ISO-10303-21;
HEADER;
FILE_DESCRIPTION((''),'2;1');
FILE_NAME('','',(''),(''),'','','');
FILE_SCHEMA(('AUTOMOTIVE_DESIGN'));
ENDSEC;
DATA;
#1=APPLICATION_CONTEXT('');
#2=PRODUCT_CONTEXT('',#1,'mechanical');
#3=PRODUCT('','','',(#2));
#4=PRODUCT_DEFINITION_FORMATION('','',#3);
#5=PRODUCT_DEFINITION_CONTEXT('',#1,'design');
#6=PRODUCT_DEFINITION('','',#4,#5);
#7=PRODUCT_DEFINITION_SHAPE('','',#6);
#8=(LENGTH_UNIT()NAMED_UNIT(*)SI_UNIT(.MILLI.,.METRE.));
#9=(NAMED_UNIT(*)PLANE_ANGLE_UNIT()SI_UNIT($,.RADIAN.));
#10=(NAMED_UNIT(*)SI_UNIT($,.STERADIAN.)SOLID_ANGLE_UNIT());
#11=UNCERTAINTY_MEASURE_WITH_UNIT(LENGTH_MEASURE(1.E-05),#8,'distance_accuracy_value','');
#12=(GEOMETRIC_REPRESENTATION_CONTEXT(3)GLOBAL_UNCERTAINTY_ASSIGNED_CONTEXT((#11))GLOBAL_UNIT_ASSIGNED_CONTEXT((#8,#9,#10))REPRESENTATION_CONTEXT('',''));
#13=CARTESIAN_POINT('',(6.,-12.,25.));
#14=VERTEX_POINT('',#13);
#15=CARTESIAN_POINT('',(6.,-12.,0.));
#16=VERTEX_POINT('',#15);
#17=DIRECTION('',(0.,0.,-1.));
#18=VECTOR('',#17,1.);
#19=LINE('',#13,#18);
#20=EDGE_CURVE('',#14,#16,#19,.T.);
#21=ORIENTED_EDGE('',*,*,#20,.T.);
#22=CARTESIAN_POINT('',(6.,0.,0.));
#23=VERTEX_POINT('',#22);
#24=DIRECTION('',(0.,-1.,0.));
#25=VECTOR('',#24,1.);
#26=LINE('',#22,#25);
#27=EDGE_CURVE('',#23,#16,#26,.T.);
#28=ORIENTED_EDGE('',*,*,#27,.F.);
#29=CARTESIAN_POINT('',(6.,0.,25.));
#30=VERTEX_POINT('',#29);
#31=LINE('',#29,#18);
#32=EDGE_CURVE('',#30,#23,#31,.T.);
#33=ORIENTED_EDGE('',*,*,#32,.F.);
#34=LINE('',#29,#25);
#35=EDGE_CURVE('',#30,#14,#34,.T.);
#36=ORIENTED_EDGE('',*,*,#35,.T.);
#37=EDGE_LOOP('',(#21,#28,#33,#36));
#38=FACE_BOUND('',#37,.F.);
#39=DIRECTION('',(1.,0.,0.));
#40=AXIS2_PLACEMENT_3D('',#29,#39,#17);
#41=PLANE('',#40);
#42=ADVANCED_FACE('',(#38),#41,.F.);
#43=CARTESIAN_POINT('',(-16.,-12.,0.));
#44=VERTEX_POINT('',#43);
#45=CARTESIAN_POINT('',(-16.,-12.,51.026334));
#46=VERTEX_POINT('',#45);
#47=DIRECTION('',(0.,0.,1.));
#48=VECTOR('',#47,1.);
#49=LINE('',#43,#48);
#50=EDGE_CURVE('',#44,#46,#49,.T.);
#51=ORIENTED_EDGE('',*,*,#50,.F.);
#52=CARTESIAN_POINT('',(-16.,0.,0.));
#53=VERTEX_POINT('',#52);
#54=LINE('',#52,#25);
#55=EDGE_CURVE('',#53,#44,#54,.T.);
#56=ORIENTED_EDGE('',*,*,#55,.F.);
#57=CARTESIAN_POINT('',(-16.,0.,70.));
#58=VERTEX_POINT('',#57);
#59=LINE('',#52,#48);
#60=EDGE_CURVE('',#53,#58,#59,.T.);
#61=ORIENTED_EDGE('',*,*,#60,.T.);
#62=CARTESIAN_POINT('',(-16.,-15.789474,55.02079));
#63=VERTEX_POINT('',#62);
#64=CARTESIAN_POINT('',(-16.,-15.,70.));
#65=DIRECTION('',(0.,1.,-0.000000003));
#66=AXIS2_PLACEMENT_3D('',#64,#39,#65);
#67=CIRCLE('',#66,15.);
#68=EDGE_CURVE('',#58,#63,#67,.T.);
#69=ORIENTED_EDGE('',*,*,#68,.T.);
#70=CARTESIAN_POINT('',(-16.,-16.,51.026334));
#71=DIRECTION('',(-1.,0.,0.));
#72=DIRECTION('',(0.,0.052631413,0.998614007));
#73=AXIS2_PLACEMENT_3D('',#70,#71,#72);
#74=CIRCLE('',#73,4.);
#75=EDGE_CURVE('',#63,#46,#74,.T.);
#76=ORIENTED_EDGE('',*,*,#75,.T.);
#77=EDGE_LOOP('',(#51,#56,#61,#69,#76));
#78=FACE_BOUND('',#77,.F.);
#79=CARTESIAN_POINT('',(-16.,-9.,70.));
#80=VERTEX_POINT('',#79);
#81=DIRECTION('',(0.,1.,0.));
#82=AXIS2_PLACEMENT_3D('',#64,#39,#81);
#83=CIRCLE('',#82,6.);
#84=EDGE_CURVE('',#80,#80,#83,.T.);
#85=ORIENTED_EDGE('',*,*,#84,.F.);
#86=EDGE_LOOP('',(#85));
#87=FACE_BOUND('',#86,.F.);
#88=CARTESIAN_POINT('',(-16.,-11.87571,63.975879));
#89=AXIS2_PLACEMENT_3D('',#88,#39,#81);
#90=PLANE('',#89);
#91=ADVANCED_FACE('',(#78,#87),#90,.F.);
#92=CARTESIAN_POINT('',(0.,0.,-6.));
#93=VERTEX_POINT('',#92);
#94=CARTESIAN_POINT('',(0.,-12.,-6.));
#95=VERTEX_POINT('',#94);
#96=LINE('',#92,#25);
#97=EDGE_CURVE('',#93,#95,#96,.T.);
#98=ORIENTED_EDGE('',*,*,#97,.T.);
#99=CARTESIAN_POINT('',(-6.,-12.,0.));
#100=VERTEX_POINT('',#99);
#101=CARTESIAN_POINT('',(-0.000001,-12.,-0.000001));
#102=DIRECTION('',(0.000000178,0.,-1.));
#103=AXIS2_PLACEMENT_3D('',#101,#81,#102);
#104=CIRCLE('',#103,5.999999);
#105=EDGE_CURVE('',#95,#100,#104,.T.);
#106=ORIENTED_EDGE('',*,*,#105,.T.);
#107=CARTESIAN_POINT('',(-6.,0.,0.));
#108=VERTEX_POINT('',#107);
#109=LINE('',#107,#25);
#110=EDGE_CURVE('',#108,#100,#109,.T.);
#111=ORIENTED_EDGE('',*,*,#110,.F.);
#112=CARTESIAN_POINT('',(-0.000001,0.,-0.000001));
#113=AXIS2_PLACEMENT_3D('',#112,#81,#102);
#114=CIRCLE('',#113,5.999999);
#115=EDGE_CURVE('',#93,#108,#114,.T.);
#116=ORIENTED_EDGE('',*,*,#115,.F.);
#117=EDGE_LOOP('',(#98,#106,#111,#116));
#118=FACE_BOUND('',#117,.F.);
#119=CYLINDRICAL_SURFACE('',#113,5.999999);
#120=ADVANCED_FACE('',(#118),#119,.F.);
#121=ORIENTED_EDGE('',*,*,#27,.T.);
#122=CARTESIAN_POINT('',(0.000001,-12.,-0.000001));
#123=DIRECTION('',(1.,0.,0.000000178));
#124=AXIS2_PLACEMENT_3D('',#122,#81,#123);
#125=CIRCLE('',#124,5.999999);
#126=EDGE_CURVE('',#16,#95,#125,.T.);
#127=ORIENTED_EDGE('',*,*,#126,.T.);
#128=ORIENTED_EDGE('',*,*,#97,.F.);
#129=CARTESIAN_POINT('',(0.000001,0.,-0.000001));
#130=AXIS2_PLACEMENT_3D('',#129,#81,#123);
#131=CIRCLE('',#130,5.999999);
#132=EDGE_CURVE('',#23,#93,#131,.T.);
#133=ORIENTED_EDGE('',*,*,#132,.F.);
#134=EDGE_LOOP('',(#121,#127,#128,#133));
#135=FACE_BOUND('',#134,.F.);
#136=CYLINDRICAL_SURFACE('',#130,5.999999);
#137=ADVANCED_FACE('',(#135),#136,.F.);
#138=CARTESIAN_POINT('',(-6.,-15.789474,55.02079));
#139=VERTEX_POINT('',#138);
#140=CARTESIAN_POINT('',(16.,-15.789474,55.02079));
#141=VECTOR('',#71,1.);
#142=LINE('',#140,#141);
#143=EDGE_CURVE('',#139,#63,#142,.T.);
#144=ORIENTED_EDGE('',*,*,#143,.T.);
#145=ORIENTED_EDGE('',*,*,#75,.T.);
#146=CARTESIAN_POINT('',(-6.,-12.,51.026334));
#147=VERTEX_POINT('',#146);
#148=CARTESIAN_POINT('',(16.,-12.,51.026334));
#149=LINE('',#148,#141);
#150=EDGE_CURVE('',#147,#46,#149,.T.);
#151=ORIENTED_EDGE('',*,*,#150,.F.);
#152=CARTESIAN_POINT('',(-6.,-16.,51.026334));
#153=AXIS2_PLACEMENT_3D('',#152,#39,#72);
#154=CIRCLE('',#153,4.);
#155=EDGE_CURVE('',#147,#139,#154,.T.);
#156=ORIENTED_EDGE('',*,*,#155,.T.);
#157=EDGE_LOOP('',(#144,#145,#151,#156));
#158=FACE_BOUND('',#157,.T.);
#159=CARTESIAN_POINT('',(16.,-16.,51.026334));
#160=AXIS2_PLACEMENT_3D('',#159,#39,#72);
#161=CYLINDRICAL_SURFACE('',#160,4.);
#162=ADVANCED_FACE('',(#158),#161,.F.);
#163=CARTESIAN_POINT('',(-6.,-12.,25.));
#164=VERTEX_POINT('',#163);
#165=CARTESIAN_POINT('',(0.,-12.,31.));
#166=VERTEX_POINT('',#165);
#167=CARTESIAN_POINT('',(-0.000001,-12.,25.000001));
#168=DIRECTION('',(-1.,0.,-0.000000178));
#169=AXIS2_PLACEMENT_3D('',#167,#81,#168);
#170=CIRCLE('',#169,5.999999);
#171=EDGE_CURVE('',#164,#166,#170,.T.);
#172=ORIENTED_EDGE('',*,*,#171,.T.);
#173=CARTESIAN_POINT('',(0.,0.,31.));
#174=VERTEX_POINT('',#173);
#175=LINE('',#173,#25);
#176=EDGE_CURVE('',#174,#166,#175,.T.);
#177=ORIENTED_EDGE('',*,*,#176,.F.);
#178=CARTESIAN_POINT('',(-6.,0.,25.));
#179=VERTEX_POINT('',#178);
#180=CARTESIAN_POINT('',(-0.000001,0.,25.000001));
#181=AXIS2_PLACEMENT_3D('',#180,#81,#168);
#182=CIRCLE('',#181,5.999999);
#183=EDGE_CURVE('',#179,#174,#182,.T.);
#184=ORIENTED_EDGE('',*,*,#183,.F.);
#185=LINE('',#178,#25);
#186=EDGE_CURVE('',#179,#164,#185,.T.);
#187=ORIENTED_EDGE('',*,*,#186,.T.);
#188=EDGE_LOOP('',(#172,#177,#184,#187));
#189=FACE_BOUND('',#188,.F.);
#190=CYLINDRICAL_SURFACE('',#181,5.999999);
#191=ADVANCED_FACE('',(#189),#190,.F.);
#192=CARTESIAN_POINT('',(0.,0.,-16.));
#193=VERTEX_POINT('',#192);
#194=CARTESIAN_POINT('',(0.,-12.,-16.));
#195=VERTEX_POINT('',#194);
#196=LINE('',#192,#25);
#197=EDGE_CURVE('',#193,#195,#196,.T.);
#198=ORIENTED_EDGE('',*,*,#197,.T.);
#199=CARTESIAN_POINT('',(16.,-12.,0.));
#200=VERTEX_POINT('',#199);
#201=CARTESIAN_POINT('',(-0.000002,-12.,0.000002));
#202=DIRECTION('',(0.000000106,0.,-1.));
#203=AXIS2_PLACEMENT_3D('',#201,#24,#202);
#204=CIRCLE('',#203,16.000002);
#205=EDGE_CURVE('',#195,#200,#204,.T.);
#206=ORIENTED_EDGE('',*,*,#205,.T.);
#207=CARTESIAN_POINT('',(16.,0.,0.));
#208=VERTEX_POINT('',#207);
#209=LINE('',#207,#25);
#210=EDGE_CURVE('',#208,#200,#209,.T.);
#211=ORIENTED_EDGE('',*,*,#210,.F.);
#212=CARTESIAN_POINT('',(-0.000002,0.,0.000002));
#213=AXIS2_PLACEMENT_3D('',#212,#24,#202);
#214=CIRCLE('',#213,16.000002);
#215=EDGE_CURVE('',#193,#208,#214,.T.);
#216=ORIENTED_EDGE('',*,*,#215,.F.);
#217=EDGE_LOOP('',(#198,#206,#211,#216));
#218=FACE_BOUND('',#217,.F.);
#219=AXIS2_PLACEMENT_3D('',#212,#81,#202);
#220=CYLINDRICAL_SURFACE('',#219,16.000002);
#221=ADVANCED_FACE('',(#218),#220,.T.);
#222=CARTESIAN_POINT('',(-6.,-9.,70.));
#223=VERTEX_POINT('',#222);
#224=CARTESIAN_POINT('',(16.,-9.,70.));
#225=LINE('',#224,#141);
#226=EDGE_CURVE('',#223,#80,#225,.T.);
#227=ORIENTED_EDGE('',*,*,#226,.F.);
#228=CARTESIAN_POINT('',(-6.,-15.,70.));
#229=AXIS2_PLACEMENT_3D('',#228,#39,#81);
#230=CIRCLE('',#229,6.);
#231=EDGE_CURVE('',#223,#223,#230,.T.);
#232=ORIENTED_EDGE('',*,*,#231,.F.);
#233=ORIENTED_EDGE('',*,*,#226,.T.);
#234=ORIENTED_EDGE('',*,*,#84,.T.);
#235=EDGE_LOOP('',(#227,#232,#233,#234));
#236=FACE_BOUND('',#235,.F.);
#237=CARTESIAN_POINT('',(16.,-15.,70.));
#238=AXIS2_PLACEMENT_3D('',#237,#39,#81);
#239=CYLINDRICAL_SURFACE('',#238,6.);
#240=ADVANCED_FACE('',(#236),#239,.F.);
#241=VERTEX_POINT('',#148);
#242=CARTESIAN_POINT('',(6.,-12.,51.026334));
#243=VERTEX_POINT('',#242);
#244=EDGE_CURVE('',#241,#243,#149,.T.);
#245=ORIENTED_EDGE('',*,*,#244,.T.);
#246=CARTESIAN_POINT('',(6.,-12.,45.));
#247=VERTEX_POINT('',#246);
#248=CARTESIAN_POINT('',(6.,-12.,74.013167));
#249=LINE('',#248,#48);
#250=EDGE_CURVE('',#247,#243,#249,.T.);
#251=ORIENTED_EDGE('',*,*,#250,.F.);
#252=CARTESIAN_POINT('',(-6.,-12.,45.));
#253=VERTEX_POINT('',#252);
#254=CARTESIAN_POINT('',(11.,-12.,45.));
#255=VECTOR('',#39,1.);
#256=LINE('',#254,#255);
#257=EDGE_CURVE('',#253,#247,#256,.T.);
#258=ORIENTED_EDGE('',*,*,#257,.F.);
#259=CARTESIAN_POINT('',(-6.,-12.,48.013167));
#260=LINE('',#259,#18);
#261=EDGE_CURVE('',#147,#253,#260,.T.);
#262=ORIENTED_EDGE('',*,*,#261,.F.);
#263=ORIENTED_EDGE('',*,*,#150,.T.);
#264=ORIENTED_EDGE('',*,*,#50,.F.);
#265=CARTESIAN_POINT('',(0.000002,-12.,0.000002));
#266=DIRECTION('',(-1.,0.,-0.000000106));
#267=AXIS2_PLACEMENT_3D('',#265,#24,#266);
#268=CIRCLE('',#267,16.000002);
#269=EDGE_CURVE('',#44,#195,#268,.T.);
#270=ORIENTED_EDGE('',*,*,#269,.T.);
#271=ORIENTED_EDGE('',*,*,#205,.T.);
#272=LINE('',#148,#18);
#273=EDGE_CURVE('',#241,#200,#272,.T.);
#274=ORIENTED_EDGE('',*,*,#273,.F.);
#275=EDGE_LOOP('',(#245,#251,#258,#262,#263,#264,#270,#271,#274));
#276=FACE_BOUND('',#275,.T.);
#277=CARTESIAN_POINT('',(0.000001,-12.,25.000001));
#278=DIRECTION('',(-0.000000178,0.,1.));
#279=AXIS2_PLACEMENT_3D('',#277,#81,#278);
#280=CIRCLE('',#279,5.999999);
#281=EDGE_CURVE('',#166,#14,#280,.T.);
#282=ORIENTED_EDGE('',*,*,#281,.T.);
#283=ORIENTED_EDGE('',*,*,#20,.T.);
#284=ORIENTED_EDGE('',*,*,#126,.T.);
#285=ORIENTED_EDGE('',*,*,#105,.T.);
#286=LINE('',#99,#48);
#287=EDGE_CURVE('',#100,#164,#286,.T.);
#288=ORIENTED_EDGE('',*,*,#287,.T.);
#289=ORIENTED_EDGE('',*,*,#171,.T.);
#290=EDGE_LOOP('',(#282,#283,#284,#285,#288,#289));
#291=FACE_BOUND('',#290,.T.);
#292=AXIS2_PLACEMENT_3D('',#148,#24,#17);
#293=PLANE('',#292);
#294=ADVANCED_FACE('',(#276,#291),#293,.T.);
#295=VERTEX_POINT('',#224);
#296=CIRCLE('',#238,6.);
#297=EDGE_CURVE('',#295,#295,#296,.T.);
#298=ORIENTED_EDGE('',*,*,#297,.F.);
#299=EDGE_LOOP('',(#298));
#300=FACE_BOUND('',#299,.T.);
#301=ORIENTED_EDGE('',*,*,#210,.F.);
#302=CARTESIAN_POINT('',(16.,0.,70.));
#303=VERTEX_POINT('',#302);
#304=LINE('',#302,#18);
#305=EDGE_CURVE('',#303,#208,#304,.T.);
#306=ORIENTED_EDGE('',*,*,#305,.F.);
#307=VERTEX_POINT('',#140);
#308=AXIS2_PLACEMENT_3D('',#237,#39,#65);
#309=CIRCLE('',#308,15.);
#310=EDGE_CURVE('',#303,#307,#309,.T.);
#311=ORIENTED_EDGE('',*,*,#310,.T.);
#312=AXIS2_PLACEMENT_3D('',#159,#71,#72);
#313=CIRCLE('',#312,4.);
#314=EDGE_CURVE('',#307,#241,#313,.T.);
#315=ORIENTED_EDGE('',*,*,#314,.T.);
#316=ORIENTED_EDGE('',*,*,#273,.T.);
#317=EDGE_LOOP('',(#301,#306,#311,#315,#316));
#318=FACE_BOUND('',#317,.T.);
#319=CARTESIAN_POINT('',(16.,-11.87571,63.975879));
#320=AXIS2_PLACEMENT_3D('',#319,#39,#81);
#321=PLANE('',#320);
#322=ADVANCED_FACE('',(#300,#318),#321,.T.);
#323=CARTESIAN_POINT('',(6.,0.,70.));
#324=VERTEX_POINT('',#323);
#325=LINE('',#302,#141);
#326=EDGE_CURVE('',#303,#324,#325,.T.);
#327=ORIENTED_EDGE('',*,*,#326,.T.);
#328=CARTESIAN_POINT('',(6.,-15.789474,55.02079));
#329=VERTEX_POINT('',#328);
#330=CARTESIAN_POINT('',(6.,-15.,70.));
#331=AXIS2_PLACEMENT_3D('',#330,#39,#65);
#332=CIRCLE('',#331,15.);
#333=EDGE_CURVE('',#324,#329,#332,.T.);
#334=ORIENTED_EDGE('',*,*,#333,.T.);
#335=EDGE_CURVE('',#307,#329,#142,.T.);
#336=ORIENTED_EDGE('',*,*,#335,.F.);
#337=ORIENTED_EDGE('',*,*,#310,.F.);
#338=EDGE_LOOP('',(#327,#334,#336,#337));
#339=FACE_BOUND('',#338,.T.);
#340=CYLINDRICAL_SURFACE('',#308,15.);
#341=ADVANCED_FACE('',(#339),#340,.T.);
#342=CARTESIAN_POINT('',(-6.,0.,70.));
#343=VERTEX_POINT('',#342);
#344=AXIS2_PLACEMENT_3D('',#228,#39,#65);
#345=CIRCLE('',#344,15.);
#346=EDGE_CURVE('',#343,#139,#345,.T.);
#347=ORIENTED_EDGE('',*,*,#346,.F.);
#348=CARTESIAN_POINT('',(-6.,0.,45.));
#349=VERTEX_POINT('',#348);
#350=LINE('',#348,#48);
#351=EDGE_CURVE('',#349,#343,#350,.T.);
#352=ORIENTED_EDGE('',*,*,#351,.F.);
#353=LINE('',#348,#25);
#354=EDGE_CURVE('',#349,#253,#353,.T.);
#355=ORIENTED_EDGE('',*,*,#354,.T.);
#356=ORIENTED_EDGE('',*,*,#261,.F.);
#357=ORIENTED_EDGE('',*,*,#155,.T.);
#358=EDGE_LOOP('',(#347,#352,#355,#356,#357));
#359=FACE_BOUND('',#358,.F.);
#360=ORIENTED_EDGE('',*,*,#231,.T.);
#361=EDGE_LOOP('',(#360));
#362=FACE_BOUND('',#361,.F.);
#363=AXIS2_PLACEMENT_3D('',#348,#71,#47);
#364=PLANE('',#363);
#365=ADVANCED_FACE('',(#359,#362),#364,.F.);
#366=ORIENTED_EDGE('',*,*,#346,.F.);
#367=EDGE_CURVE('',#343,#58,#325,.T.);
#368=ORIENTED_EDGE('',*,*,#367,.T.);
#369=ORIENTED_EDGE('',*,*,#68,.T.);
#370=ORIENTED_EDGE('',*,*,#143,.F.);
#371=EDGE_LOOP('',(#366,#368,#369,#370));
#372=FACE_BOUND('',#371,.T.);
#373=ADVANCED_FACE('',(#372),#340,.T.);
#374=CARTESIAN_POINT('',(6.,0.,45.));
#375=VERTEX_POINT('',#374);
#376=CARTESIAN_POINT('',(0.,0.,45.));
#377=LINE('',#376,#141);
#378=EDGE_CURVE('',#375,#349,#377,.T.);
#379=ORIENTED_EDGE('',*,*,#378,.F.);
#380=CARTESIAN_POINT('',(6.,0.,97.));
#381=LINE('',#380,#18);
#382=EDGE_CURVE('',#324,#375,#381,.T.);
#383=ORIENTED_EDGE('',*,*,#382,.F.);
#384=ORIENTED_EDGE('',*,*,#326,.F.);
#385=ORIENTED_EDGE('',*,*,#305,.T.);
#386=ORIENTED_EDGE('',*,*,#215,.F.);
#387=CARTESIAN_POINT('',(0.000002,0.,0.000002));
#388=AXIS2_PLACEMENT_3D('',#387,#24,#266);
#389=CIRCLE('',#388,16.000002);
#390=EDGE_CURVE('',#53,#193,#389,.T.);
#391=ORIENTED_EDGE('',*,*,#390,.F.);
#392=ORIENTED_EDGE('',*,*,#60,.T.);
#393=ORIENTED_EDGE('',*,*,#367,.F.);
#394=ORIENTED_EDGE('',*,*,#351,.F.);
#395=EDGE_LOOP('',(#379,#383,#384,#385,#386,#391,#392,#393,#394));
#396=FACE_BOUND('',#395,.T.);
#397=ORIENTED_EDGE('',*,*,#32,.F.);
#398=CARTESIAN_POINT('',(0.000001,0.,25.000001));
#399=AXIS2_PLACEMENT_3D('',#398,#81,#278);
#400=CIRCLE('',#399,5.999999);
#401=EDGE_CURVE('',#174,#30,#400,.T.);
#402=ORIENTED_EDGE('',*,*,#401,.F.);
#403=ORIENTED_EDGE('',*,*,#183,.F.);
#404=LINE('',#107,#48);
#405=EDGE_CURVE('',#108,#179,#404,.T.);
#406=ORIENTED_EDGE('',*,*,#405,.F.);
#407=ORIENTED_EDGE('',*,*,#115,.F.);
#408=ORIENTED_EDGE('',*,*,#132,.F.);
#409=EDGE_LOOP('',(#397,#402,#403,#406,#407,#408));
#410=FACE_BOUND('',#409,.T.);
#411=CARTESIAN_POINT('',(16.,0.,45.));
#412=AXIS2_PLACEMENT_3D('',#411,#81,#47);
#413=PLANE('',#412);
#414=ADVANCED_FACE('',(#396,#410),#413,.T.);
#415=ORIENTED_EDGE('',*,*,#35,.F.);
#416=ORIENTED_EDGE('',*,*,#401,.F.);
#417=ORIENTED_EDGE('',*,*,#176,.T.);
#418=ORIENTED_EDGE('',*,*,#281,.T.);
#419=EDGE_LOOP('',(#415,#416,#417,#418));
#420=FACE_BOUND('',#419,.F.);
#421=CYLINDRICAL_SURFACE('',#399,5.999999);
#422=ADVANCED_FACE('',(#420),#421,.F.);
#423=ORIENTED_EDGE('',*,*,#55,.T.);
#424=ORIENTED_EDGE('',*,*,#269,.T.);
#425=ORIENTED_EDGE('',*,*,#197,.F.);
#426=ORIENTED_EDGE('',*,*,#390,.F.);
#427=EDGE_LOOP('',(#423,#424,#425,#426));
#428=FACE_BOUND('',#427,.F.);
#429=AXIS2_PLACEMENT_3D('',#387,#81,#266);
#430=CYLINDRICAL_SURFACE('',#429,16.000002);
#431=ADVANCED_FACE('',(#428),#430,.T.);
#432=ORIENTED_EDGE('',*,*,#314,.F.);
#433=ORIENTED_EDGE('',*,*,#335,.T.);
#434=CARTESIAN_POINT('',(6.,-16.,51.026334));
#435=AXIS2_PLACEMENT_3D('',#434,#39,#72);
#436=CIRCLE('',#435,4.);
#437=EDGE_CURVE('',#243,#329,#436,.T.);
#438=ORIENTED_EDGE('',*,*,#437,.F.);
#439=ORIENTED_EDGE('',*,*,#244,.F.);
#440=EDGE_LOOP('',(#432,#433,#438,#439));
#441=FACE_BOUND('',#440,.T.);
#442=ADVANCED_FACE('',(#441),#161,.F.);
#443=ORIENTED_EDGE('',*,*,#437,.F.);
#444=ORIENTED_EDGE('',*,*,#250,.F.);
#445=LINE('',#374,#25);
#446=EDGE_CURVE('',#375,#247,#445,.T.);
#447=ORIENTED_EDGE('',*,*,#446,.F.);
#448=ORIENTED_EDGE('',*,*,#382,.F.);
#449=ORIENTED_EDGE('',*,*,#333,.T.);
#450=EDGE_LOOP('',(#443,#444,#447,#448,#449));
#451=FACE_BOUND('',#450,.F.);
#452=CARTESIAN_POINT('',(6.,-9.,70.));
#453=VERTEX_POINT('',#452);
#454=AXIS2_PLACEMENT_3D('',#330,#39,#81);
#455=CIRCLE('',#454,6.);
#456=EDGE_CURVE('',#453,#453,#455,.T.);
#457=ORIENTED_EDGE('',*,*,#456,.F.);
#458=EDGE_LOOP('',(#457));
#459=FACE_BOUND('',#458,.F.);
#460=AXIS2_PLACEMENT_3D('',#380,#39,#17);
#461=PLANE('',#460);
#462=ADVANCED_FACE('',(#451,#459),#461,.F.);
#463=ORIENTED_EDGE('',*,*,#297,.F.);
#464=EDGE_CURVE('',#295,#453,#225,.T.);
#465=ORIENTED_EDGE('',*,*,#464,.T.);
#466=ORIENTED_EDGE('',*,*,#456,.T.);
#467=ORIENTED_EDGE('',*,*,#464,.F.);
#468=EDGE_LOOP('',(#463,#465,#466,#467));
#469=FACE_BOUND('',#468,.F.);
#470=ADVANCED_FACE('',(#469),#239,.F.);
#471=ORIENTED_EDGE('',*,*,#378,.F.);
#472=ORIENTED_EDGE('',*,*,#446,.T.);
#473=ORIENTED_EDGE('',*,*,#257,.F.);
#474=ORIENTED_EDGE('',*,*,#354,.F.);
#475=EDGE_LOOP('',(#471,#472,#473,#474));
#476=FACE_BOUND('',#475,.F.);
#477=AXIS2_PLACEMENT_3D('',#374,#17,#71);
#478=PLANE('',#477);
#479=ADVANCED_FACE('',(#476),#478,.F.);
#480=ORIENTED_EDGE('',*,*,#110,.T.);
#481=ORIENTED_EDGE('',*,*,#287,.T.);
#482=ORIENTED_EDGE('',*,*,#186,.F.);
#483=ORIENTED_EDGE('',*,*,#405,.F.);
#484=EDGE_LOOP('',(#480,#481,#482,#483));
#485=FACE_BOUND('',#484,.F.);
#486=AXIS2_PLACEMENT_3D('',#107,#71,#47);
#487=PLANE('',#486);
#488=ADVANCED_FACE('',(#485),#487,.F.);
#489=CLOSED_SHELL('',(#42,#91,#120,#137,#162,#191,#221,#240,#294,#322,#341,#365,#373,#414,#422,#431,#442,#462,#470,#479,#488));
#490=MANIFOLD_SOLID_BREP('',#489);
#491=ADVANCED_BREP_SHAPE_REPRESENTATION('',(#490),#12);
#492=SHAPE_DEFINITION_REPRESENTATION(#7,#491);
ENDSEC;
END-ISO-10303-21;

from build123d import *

# Parameters (mm, degrees)
F1_DEPTH = 12
F2_R     = 6
F3_DEPTH = 32
F4_W     = 12
F4_H     = 27
F4_H_2   = 25
F5_DEPTH = 30.001


with BuildPart() as f1:
    # F0 (on Front) → F1 (new body)
    with BuildSketch(Plane.XZ):
        with BuildLine():
            Line((-16, 45), (-16, 0))
            ThreePointArc((-16, 0), (-11.313708, -11.313708), (0, -16))
            ThreePointArc((0, -16), (11.313708, -11.313708), (16, 0))
            Line((16, 0), (16, 45))
            Line((16, 45), (-16, 45))
        make_face()
        with BuildLine():
            ThreePointArc((0, -6), (-4.242641, -4.242641), (-6, 0))
            Line((-6, 0), (-6, 25))
            ThreePointArc((-6, 25), (-4.242641, 29.242641), (0, 31))
            ThreePointArc((0, 31), (4.242641, 29.242641), (6, 25))
            Line((6, 25), (6, 0))
            ThreePointArc((6, 0), (4.242641, -4.242641), (0, -6))
        make_face(mode=Mode.SUBTRACT)
    extrude(amount=F1_DEPTH)

    # F2 (on face) → F3 (join)
    with BuildSketch(Plane.YZ.offset(16)):
        with BuildLine():
            Line((0, 45), (0, 70))
            ThreePointArc((0, 70), (-25.323708, 80.882144), (-15.789474, 55.02079))
            ThreePointArc((-15.789474, 55.02079), (-13.098095, 53.779323), (-12, 51.026334))
            Line((-12, 51.026334), (-12, 45))
            Line((-12, 45), (0, 45))
        make_face()
        with Locations((-15, 70)):
            Circle(F2_R, mode=Mode.SUBTRACT)
    extrude(amount=-F3_DEPTH)

    # F4 (on face) → F5 (cut, through all)
    with BuildSketch(Plane(origin=(0, 0, 0), x_dir=(-1, 0, 0), z_dir=(0, 1, 0))):
        with Locations((0, 83.5)):
            Rectangle(F4_W, F4_H)
        with Locations((0, 57.5)):
            Rectangle(F4_W, F4_H_2)
    extrude(amount=-F5_DEPTH, mode=Mode.SUBTRACT)


solid = f1.part
